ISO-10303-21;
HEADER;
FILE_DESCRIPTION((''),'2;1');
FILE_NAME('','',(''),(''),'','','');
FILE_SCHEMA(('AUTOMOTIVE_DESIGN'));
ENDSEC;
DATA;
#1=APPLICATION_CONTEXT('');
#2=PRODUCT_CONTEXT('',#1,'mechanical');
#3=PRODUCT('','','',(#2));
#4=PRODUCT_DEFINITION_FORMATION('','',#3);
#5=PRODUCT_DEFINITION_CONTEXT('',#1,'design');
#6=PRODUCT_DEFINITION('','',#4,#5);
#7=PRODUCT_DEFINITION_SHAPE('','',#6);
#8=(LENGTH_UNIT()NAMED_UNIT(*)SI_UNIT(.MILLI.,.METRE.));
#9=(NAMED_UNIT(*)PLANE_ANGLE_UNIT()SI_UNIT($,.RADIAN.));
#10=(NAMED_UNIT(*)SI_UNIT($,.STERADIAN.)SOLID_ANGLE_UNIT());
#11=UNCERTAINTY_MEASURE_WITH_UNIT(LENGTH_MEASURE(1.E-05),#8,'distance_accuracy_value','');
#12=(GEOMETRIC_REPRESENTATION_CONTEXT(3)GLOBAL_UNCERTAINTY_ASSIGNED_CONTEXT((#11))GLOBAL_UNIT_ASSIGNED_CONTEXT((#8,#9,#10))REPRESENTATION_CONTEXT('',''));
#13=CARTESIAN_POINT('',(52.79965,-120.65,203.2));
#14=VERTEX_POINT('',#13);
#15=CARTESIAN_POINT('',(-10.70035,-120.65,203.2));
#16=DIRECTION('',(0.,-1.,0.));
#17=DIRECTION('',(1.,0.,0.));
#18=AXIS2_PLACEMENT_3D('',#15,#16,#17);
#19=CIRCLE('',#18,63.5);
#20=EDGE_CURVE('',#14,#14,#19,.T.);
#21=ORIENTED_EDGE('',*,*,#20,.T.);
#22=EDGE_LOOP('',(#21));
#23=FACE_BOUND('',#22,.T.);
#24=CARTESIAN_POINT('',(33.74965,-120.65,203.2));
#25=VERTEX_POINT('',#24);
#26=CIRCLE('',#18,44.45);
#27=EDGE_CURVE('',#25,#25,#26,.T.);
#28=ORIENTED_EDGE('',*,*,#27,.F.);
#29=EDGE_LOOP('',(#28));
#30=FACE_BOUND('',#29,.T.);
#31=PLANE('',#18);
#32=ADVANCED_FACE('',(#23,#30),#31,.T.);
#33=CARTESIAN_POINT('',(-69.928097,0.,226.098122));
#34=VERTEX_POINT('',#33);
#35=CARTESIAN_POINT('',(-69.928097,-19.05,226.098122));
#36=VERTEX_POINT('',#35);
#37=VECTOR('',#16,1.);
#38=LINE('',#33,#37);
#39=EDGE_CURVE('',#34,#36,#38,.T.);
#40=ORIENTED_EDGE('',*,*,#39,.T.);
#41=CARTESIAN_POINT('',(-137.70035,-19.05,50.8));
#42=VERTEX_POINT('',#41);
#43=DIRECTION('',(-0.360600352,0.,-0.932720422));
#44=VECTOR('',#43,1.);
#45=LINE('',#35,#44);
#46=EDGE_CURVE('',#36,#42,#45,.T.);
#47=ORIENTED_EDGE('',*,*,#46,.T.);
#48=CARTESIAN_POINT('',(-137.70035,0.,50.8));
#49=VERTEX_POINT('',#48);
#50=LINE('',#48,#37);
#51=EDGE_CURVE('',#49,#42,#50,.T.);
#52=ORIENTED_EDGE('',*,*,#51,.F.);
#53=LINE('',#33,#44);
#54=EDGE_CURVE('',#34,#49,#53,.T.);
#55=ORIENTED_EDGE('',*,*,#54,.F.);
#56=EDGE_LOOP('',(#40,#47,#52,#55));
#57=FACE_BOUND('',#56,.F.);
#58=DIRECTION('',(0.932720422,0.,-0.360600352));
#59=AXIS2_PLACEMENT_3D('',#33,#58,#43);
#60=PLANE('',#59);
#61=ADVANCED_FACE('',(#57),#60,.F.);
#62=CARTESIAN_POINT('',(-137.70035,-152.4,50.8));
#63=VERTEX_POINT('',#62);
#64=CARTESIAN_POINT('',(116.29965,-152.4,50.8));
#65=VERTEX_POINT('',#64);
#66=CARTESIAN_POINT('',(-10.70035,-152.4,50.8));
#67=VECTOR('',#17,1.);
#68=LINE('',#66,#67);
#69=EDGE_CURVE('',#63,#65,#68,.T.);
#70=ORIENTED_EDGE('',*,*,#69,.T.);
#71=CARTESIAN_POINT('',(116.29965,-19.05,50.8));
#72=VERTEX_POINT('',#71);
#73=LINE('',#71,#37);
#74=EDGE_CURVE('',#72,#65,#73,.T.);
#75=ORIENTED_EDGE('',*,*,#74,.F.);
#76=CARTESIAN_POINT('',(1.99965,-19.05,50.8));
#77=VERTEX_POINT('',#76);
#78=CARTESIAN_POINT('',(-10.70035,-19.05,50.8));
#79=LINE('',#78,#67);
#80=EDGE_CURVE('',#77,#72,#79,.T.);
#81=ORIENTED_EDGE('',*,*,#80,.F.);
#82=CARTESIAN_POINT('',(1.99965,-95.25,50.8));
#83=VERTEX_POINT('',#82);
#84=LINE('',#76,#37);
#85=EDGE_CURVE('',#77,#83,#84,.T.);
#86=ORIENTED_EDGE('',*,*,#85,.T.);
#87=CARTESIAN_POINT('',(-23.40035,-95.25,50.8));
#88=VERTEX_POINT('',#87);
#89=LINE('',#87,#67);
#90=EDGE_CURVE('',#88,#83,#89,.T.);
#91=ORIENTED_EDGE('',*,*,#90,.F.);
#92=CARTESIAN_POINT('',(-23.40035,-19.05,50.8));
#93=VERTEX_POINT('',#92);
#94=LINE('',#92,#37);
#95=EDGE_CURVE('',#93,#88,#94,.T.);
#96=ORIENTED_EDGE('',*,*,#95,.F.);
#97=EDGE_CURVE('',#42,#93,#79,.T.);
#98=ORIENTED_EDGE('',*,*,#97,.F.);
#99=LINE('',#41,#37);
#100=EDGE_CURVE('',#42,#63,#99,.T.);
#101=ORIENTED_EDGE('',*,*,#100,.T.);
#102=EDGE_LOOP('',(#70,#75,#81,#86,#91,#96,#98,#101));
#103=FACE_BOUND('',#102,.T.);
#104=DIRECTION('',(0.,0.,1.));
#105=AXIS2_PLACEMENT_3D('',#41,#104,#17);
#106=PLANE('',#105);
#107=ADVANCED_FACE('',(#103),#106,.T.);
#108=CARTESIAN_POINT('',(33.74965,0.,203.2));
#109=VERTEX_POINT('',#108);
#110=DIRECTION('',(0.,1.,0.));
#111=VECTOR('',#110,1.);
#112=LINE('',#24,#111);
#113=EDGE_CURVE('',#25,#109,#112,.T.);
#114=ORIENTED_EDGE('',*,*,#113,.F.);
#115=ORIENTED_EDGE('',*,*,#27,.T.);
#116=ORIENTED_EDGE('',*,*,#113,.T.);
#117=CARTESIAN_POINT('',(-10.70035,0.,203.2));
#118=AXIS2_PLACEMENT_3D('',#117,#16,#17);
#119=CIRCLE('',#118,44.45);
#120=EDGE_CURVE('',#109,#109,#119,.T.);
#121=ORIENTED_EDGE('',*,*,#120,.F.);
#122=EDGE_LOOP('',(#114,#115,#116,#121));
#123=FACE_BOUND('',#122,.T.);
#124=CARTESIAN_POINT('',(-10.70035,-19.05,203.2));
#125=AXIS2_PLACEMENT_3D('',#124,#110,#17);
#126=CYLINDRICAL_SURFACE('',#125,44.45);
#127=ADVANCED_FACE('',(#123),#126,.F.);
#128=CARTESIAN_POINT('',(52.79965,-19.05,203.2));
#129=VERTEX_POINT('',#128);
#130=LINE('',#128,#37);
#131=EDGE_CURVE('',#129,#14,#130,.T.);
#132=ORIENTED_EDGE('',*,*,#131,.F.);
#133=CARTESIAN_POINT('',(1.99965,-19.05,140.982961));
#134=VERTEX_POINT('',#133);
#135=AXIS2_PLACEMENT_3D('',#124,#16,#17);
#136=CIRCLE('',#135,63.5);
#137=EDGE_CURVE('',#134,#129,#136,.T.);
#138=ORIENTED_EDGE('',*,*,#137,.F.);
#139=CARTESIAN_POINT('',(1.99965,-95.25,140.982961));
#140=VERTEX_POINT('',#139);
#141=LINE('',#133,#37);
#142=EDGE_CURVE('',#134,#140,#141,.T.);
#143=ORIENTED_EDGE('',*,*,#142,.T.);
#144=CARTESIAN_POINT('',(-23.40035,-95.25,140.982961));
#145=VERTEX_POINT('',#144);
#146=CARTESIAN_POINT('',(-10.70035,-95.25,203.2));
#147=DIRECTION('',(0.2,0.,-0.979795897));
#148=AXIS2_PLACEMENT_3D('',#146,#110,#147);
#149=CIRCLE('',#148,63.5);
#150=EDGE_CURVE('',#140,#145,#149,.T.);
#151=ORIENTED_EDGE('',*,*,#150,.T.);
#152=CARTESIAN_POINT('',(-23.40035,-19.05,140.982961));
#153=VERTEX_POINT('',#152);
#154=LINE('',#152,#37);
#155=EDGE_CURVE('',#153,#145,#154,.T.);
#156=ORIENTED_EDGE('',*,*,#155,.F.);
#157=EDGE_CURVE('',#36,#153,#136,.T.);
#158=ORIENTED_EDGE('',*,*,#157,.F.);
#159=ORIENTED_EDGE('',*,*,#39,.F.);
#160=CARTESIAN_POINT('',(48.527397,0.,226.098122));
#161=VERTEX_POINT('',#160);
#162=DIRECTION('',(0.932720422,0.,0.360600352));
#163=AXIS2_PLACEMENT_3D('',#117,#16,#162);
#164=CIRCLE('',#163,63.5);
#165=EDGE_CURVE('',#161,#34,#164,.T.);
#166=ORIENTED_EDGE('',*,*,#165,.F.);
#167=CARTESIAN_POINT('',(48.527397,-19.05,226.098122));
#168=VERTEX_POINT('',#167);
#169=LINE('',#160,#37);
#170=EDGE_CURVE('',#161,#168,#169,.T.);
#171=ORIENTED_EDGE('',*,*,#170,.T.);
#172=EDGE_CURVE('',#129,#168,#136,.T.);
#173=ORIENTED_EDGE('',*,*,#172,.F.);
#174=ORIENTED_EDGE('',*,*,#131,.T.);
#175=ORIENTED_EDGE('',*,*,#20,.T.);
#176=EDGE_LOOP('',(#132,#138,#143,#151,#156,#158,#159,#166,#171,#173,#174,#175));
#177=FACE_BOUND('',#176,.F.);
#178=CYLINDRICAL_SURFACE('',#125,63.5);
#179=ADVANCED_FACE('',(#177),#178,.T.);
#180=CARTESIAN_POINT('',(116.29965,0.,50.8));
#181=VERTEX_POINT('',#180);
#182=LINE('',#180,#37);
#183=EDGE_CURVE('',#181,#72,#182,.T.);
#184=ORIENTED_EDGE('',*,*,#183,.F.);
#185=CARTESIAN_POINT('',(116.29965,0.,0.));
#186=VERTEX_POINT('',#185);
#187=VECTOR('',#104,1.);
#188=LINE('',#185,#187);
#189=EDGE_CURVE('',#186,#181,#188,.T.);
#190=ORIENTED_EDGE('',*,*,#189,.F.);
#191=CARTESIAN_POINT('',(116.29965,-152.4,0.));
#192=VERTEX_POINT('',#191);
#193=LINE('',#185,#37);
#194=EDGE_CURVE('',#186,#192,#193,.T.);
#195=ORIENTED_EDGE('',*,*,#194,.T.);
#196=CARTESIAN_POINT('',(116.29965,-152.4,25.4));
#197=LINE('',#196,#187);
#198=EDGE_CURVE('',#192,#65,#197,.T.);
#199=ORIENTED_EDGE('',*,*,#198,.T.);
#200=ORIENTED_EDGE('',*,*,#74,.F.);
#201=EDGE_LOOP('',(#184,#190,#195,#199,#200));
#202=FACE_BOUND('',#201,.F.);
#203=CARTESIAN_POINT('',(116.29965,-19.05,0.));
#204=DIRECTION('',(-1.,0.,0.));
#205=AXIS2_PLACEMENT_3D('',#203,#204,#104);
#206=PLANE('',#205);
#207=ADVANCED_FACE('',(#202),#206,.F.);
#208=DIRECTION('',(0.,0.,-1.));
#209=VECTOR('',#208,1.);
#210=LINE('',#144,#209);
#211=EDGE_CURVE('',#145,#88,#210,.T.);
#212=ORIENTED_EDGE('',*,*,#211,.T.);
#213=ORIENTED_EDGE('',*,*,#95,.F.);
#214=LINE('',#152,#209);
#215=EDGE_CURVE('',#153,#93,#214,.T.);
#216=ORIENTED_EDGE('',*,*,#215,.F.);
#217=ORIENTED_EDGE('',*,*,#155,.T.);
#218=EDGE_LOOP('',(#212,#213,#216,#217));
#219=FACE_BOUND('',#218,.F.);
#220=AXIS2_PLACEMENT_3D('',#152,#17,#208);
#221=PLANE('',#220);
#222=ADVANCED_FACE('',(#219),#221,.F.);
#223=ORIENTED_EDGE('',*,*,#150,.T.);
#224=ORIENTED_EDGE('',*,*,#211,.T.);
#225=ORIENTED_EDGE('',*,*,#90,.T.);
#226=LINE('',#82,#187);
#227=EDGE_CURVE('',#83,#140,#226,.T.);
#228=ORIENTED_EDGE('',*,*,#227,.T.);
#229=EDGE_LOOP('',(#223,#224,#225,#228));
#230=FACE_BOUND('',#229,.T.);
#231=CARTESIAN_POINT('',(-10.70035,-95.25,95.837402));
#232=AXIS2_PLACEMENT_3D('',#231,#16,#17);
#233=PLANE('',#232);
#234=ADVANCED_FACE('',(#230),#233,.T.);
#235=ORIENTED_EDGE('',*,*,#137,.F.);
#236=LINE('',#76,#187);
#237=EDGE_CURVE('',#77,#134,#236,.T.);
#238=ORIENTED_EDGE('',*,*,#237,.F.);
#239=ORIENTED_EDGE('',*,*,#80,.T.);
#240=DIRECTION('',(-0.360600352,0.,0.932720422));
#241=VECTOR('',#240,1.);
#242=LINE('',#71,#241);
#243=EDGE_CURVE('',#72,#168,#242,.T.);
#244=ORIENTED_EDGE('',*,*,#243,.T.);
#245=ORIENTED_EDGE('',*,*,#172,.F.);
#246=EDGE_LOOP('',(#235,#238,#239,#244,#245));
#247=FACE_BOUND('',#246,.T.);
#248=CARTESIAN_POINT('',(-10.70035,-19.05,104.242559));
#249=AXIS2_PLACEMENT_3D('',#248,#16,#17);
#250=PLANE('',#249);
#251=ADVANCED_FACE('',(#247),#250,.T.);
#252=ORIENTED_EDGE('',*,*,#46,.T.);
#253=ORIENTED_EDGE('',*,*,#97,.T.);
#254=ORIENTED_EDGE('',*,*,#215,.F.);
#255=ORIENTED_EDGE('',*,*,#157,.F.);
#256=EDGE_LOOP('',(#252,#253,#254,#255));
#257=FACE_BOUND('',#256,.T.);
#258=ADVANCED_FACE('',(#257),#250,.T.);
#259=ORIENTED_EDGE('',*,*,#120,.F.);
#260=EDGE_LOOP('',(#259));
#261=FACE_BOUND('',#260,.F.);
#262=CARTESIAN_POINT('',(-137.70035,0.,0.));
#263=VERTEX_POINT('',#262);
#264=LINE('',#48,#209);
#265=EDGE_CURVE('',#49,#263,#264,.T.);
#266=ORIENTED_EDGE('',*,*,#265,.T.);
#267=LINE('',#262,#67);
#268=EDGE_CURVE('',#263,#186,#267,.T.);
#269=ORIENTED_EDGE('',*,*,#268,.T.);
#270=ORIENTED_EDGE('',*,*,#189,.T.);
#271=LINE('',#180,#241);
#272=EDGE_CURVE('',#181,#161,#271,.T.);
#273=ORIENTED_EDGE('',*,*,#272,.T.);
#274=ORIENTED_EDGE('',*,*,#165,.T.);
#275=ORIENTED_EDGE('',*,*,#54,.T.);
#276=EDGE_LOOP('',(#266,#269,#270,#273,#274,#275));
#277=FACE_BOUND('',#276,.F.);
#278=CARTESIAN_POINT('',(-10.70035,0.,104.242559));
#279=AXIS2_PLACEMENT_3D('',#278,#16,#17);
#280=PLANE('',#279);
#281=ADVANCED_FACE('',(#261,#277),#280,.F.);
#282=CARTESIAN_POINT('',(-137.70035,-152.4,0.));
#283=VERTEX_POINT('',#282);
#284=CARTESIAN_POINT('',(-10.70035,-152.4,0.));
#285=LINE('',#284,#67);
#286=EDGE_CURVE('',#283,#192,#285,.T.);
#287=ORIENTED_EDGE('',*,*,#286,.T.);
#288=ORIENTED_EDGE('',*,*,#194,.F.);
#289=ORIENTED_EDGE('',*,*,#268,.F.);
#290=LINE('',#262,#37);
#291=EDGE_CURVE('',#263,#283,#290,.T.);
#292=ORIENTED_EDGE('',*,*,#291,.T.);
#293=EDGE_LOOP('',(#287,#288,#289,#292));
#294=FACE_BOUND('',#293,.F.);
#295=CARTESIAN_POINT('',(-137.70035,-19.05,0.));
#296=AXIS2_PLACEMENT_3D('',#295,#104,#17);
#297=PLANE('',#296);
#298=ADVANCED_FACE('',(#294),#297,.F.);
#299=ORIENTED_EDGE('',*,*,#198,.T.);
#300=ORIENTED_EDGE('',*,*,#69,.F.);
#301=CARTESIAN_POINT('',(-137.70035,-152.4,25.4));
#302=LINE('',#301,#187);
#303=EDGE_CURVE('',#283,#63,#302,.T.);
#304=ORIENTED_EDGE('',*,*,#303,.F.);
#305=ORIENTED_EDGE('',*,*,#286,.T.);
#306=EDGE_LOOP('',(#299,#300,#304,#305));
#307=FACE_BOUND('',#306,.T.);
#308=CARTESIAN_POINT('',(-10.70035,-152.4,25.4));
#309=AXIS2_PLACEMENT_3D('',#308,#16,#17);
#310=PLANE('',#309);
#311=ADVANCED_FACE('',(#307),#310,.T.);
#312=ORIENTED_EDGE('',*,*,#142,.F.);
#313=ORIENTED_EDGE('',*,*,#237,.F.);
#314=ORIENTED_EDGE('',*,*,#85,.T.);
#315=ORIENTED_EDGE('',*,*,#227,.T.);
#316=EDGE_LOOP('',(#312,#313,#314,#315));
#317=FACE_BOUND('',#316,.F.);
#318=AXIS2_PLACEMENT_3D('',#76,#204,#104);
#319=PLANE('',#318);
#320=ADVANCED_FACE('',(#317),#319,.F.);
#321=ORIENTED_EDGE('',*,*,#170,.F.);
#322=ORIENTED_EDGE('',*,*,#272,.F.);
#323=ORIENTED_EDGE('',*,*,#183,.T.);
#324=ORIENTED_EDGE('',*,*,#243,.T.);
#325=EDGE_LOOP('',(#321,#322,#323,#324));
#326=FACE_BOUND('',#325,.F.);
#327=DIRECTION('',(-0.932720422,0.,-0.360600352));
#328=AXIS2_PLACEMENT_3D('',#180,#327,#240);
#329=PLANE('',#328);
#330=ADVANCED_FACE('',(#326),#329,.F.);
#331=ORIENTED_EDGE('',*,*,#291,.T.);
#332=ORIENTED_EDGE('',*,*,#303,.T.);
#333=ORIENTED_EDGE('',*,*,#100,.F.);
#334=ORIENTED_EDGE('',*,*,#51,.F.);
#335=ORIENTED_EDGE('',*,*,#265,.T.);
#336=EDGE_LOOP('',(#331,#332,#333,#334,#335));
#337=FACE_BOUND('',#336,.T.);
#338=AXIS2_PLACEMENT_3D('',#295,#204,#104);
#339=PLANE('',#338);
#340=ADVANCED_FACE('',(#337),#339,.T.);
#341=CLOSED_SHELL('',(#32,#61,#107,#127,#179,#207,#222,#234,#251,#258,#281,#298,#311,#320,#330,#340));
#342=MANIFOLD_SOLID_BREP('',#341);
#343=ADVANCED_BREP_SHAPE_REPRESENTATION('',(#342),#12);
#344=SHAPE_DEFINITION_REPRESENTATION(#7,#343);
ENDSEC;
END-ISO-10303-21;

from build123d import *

# Parameters (mm, degrees)
F0_R     = 44.45
F1_DEPTH = 19.05
F2_W     = 254
F2_H     = 50.8
F3_DEPTH = 133.35
F4_R     = 63.5
F4_R_2   = 44.45
F5_DEPTH = 101.6
F7_DEPTH = 76.2


with BuildPart() as f1:
    # F0 (on Front) → F1 (new body)
    with BuildSketch(Plane.XZ):
        with BuildLine():
            Line((-137.7003500163, 50.8), (-137.7003500163, 0))
            Line((-137.7003500163, 0), (116.2996499837, 0))
            Line((116.2996499837, 0), (116.2996499837, 50.8))
            Line((116.2996499837, 50.8), (48.5273968003, 226.0981223472))
            ThreePointArc((48.5273968003, 226.0981223472), (-10.7003500163, 266.7), (-69.9280968329, 226.0981223472))
            Line((-69.9280968329, 226.0981223472), (-137.7003500163, 50.8))
        make_face()
        with Locations((-10.7003500163, 203.2)):
            Circle(F0_R, mode=Mode.SUBTRACT)
    extrude(amount=F1_DEPTH)

    # F2 (on face) → F3 (join)
    with BuildSketch(Plane.XZ.offset(19.05)):
        with Locations((-10.7003500163, 25.4)):
            Rectangle(F2_W, F2_H)
    extrude(amount=F3_DEPTH)

    # F4 (on face) → F5 (join)
    with BuildSketch(Plane.XZ.offset(19.05)):
        with Locations((-10.7003500163, 203.2)):
            Circle(F4_R)
        with Locations((-10.7003500163, 203.2)):
            Circle(F4_R_2, mode=Mode.SUBTRACT)
    extrude(amount=F5_DEPTH)

    # F6 (on face) → F7 (join)
    with BuildSketch(Plane.XZ.offset(19.05)):
        with BuildLine():
            Line((1.9996499837, 50.8), (1.9996499837, 140.9829605333))
            ThreePointArc((1.9996499837, 140.9829605333), (-10.7003500163, 139.7), (-23.4003500163, 140.9829605333))
            Line((-23.4003500163, 140.9829605333), (-23.4003500163, 50.8))
            Line((-23.4003500163, 50.8), (1.9996499837, 50.8))
        make_face()
    extrude(amount=F7_DEPTH)


solid = f1.part
